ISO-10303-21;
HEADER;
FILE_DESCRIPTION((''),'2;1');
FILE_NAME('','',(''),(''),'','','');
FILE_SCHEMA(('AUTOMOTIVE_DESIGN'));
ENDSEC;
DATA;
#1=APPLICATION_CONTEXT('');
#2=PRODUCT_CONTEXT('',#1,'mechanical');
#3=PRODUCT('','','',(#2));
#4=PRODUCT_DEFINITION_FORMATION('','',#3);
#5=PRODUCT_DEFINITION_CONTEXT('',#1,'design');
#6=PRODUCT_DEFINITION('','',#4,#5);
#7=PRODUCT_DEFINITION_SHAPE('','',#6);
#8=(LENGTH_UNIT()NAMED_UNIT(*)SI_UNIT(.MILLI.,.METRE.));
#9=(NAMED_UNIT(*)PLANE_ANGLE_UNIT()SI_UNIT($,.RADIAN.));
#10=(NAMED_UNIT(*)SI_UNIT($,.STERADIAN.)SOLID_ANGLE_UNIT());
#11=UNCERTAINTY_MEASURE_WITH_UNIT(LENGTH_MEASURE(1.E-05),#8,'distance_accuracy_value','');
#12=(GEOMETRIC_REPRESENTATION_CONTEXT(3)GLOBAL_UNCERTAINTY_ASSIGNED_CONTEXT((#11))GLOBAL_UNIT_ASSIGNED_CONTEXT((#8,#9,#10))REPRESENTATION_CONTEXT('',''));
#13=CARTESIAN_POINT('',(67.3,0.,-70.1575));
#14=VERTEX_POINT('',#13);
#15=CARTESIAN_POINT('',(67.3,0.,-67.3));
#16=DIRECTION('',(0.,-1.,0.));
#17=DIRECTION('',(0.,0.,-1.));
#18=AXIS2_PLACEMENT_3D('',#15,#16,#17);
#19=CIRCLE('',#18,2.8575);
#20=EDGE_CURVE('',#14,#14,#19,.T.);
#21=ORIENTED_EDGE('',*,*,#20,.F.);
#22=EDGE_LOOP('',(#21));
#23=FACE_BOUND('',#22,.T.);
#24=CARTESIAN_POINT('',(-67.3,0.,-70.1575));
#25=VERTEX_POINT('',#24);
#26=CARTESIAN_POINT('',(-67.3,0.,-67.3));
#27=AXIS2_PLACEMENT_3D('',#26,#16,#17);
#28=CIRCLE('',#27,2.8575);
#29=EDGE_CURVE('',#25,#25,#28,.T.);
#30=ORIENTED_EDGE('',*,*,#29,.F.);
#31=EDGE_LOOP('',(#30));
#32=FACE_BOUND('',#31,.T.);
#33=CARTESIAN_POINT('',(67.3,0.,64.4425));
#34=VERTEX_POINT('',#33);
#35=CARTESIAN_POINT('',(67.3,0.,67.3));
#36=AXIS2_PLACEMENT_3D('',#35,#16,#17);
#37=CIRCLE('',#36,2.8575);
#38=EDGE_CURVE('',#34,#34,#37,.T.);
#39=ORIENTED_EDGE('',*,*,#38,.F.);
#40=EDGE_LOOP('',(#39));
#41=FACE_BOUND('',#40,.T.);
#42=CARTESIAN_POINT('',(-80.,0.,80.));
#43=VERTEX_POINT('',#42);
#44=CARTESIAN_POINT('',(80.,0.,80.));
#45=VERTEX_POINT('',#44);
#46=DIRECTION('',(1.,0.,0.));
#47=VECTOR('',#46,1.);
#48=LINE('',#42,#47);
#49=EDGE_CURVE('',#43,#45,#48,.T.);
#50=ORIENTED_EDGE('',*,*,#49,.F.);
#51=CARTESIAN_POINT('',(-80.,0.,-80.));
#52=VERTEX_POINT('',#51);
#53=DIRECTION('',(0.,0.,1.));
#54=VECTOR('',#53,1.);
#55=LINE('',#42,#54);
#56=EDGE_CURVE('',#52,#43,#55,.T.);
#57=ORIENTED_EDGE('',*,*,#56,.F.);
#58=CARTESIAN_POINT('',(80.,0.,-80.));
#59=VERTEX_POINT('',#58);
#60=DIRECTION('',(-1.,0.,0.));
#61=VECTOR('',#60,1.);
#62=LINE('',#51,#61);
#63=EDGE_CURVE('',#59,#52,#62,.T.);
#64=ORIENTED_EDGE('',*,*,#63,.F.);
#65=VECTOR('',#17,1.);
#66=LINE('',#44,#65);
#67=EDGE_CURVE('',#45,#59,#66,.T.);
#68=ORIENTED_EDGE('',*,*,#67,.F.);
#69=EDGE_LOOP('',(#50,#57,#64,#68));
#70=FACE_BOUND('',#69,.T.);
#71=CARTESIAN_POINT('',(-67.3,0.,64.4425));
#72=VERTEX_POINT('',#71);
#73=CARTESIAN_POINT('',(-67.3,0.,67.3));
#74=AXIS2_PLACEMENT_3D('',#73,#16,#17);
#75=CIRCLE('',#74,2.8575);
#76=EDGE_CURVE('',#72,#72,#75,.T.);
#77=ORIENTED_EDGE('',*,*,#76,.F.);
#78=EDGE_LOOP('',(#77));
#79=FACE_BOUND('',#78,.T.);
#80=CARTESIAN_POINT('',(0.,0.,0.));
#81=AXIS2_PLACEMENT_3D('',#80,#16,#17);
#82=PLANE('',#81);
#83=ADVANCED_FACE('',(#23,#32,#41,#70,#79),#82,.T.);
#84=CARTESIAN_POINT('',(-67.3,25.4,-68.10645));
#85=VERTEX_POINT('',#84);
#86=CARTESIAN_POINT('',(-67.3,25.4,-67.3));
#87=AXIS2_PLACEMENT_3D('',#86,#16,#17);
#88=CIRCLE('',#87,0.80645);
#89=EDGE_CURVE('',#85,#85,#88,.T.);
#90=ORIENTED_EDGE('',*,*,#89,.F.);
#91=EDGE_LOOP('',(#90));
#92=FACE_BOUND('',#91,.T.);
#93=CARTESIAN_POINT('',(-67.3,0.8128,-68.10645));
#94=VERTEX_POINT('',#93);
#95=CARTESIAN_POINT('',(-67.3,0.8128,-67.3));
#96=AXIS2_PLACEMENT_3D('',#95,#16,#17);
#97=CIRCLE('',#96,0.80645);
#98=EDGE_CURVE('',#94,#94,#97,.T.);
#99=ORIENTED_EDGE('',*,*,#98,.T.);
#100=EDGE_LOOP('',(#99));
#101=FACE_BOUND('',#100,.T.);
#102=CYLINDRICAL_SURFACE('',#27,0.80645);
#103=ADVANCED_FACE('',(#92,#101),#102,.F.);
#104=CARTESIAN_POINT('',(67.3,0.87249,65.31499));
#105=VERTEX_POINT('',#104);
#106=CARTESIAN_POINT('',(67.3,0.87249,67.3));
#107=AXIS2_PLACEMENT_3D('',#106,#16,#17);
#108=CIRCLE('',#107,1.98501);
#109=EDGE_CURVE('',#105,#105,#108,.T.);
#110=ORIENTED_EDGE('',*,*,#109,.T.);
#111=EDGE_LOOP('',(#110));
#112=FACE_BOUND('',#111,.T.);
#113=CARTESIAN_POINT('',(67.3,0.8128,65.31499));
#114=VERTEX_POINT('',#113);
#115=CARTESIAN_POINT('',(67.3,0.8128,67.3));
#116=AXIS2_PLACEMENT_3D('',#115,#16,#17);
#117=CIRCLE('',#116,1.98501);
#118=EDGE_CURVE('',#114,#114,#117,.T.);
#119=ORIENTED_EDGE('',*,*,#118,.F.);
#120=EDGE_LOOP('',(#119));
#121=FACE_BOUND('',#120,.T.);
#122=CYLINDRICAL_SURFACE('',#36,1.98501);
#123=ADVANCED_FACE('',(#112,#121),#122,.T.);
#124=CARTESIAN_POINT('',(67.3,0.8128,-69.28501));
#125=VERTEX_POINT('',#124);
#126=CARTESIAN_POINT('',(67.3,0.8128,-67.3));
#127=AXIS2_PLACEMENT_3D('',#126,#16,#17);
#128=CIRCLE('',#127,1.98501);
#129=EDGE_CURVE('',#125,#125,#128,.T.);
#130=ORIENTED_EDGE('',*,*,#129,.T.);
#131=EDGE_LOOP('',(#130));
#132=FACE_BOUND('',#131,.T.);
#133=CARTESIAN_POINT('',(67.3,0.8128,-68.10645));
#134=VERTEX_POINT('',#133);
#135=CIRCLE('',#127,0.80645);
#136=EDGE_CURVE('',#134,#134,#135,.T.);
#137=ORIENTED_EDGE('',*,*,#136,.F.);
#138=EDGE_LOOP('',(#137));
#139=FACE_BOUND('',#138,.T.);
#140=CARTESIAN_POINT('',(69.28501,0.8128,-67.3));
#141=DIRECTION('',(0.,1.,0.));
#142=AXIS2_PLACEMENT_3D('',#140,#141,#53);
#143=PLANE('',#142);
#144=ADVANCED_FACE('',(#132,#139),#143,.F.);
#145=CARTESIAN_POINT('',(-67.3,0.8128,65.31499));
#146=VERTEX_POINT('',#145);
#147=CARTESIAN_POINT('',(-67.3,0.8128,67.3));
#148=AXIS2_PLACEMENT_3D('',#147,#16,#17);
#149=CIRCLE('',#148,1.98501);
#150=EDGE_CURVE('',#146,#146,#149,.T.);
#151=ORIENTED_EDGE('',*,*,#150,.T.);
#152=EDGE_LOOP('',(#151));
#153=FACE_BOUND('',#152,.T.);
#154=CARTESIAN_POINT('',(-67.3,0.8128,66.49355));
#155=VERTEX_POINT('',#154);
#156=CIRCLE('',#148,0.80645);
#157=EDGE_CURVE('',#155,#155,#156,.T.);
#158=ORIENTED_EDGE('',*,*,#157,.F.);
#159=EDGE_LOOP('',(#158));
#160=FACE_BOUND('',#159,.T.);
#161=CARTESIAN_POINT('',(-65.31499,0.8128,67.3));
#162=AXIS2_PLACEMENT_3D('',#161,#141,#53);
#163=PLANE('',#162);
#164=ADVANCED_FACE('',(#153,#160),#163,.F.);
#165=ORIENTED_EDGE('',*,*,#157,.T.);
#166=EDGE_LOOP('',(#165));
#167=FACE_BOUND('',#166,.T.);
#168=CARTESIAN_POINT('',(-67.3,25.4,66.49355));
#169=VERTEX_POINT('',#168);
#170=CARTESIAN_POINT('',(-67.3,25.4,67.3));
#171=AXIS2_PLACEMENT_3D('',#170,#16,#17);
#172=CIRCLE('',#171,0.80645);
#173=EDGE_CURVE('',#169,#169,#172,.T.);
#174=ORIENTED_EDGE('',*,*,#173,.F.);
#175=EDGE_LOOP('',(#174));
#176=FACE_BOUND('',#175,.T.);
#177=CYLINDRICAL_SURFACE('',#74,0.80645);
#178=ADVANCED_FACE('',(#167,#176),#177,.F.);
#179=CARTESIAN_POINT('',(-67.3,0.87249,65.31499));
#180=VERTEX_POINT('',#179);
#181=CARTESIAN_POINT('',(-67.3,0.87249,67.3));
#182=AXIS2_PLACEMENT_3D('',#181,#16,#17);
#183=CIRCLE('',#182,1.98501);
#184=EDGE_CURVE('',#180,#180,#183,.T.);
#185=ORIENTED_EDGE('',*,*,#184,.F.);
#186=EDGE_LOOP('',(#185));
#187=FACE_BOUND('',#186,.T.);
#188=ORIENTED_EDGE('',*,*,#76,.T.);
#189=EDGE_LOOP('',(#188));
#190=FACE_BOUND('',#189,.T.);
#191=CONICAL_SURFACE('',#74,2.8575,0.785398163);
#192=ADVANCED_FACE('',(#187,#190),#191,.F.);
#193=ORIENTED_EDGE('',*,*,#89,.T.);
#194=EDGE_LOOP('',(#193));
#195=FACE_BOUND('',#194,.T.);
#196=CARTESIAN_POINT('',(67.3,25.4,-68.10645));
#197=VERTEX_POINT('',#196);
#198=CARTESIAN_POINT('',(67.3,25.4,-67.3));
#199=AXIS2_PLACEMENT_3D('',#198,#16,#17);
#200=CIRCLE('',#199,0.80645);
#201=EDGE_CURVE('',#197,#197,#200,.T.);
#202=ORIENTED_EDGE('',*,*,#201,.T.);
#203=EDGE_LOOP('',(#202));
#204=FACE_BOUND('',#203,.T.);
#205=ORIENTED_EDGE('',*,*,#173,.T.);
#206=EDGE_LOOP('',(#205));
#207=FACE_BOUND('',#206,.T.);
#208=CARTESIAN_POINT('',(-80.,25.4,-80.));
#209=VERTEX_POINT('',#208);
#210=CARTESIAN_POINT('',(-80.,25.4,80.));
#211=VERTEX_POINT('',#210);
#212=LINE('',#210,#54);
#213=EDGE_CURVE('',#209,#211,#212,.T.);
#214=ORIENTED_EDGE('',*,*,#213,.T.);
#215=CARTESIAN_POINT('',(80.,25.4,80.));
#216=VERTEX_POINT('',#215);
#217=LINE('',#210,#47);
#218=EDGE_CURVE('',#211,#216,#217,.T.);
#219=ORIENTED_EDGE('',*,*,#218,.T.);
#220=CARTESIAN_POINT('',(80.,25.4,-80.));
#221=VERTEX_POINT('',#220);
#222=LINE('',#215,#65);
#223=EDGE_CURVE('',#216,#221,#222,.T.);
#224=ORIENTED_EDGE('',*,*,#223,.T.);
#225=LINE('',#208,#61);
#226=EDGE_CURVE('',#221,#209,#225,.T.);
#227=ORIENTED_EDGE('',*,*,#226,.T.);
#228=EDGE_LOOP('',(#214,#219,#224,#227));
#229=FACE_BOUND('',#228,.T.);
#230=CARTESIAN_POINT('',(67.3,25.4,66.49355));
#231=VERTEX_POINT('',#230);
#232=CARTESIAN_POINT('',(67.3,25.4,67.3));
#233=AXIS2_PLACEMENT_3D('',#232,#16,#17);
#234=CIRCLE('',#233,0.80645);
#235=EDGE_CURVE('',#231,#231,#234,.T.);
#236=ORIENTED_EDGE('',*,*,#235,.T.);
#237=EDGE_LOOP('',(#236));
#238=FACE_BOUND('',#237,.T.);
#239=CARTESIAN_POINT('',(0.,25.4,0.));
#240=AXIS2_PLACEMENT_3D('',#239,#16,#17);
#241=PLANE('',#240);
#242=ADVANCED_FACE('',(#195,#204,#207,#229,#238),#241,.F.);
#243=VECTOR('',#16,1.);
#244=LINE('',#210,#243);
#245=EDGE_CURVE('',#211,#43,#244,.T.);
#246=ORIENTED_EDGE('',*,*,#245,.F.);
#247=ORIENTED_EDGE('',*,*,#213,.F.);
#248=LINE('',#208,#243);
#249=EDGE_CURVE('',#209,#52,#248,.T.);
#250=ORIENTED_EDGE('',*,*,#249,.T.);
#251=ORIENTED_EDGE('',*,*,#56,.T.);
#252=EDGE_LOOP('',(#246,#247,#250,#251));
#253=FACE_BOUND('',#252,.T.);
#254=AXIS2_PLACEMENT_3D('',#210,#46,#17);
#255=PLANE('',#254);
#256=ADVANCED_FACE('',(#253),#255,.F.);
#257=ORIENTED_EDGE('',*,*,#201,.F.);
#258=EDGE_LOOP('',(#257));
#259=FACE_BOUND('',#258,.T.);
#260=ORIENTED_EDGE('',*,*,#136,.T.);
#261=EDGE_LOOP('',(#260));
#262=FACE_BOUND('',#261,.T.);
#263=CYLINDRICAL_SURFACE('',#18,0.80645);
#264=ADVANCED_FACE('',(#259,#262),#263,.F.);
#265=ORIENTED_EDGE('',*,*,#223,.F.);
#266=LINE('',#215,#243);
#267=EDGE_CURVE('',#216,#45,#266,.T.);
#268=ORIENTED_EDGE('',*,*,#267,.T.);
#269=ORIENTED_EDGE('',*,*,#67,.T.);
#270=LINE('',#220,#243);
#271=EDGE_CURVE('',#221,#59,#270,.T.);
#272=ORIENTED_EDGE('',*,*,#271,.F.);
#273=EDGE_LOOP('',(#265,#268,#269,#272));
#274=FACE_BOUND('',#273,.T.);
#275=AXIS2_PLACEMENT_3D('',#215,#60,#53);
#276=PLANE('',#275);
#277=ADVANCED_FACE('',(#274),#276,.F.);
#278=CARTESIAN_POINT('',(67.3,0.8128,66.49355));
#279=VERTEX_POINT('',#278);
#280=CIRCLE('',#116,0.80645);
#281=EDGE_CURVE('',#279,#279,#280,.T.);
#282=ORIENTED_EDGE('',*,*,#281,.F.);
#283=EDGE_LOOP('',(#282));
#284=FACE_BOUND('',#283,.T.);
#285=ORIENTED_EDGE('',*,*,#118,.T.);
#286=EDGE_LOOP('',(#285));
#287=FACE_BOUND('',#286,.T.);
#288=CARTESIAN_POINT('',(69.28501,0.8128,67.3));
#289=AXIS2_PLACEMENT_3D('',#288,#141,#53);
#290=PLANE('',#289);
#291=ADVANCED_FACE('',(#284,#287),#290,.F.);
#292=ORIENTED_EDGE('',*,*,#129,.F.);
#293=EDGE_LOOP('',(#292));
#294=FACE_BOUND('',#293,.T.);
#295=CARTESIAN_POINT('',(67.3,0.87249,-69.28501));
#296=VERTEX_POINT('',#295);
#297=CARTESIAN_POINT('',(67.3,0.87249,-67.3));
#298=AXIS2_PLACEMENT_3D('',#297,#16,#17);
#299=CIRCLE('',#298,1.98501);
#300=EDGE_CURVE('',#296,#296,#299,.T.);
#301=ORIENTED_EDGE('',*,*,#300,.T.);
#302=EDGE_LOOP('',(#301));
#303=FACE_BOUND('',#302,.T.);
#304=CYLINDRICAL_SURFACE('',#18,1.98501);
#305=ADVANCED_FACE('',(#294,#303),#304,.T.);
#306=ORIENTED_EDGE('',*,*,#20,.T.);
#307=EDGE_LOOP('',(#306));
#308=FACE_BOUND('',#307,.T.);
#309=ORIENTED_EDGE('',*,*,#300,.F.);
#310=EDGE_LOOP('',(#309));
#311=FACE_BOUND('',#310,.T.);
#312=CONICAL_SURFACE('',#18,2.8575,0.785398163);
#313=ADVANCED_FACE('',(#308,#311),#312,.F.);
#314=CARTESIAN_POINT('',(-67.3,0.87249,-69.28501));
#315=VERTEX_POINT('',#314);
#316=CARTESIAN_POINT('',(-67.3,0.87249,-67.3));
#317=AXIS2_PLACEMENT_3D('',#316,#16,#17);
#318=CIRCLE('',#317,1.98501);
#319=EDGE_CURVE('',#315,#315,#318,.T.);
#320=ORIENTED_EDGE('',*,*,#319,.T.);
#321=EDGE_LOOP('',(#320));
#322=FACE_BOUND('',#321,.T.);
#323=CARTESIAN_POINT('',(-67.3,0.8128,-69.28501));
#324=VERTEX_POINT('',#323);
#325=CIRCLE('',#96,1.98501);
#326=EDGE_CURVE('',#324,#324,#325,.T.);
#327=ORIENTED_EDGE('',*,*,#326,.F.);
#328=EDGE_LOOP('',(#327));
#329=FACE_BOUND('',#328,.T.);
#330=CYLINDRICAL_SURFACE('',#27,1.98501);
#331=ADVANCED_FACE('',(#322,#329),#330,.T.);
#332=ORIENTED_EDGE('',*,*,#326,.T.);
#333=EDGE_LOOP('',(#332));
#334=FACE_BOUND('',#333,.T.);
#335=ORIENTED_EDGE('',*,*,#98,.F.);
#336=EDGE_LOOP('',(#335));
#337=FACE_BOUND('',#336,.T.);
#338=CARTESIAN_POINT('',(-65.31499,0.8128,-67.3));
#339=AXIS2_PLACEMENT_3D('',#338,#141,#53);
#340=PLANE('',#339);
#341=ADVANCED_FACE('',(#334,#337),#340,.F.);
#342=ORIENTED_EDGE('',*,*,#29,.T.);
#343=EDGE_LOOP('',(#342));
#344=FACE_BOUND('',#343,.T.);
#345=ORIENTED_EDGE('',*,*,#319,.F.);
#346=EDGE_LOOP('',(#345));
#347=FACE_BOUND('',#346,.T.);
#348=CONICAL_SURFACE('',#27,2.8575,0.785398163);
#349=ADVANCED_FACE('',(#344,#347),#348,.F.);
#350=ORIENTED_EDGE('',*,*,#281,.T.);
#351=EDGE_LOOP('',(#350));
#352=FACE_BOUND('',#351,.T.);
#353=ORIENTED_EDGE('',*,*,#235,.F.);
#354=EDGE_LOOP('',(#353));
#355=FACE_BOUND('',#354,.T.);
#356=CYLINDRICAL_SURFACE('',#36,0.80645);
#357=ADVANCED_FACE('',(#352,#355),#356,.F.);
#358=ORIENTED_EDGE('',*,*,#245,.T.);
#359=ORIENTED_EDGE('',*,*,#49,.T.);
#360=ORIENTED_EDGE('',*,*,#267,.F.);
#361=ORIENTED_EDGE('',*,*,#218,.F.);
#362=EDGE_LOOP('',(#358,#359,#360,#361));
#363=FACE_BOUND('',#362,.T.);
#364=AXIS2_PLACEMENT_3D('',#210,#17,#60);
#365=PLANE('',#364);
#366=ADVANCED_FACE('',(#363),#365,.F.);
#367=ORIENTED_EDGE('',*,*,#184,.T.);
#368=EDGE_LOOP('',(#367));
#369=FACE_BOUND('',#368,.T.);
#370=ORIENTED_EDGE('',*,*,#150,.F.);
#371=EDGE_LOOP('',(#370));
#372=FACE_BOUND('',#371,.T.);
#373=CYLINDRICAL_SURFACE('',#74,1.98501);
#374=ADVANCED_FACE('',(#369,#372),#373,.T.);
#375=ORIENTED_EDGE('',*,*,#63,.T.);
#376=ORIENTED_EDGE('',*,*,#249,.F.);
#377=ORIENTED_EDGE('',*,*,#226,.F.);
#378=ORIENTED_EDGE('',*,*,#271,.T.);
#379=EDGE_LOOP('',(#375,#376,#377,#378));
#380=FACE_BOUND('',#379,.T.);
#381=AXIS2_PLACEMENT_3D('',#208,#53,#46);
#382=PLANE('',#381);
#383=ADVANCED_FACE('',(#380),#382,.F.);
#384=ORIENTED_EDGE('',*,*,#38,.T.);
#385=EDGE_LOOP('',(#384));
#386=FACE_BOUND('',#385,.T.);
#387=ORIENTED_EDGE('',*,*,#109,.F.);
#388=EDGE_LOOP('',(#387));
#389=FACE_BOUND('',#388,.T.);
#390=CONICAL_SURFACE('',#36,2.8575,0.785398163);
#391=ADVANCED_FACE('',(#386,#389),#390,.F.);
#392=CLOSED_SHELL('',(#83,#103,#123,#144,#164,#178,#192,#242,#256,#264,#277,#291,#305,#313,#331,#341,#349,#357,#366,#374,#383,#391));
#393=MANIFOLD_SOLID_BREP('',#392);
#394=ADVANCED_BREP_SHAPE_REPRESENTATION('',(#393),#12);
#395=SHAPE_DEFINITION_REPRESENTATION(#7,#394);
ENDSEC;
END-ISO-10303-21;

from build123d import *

# Parameters (mm, degrees)
SKETCH1_W                                   = 160
SKETCH1_H                                   = 160
BOSS_EXTRUDE1_DEPTH                         = 25.4
CBORE_FOR_0_BINDING_HEAD_MACHINE_SC_2_COUNT = 2
CBORE_FOR_0_BINDING_HEAD_MACHINE_SC_2_PITCH = 134.6
CBORE_FOR_0_BINDING_HEAD_MACHINE_SC_3_COUNT = 2
CBORE_FOR_0_BINDING_HEAD_MACHINE_SC_3_PITCH = 190.353145495
CBORE_FOR_0_BINDING_HEAD_MACHINE_SC_4_COUNT = 2
CBORE_FOR_0_BINDING_HEAD_MACHINE_SC_4_PITCH = 134.6


with BuildPart() as part:
    # Sketch1 → Boss-Extrude1 (new body)
    with BuildSketch(Plane(origin=(0, 0, 0), x_dir=(1, 0, 0), z_dir=(0, 1, 0))):
        Rectangle(SKETCH1_W, SKETCH1_H)
    extrude(amount=BOSS_EXTRUDE1_DEPTH)

    # Sketch3 → CBORE for #0 Binding Head Machine Screw1 (revolve, cut)
    with BuildSketch(Plane(origin=(-67.3, 0, -67.3), x_dir=(0, 0, -1), z_dir=(1, 0, 0))):
        Polygon((0, 0), (0, 25.4), (0.80645, 25.4), (0.80645, 0.8128), (1.98501, 0.8128), (1.98501, 0.87249), (2.8575, 0), align=None)
    cbore_for_0_binding_head_machine_screw1 = revolve(axis=Axis((-67.3, -6.35, -67.3), (0, 1, 0)), mode=Mode.SUBTRACT)

    # CBORE for _0 Binding Head Machine Sc 2: CBORE for #0 Binding Head Machine Screw1 ×2
    with Locations(*[(i * CBORE_FOR_0_BINDING_HEAD_MACHINE_SC_2_PITCH, 0, 0) for i in range(1, CBORE_FOR_0_BINDING_HEAD_MACHINE_SC_2_COUNT)]):
        add(cbore_for_0_binding_head_machine_screw1, mode=Mode.SUBTRACT)

    # CBORE for _0 Binding Head Machine Sc 3: CBORE for #0 Binding Head Machine Screw1 ×2
    with Locations(*[Vector(0.7071067811865475, 0, 0.7071067811865476) * (i * CBORE_FOR_0_BINDING_HEAD_MACHINE_SC_3_PITCH) for i in range(1, CBORE_FOR_0_BINDING_HEAD_MACHINE_SC_3_COUNT)]):
        add(cbore_for_0_binding_head_machine_screw1, mode=Mode.SUBTRACT)

    # CBORE for _0 Binding Head Machine Sc 4: CBORE for #0 Binding Head Machine Screw1 ×2
    with Locations(*[(0, 0, i * CBORE_FOR_0_BINDING_HEAD_MACHINE_SC_4_PITCH) for i in range(1, CBORE_FOR_0_BINDING_HEAD_MACHINE_SC_4_COUNT)]):
        add(cbore_for_0_binding_head_machine_screw1, mode=Mode.SUBTRACT)


solid = part.part
